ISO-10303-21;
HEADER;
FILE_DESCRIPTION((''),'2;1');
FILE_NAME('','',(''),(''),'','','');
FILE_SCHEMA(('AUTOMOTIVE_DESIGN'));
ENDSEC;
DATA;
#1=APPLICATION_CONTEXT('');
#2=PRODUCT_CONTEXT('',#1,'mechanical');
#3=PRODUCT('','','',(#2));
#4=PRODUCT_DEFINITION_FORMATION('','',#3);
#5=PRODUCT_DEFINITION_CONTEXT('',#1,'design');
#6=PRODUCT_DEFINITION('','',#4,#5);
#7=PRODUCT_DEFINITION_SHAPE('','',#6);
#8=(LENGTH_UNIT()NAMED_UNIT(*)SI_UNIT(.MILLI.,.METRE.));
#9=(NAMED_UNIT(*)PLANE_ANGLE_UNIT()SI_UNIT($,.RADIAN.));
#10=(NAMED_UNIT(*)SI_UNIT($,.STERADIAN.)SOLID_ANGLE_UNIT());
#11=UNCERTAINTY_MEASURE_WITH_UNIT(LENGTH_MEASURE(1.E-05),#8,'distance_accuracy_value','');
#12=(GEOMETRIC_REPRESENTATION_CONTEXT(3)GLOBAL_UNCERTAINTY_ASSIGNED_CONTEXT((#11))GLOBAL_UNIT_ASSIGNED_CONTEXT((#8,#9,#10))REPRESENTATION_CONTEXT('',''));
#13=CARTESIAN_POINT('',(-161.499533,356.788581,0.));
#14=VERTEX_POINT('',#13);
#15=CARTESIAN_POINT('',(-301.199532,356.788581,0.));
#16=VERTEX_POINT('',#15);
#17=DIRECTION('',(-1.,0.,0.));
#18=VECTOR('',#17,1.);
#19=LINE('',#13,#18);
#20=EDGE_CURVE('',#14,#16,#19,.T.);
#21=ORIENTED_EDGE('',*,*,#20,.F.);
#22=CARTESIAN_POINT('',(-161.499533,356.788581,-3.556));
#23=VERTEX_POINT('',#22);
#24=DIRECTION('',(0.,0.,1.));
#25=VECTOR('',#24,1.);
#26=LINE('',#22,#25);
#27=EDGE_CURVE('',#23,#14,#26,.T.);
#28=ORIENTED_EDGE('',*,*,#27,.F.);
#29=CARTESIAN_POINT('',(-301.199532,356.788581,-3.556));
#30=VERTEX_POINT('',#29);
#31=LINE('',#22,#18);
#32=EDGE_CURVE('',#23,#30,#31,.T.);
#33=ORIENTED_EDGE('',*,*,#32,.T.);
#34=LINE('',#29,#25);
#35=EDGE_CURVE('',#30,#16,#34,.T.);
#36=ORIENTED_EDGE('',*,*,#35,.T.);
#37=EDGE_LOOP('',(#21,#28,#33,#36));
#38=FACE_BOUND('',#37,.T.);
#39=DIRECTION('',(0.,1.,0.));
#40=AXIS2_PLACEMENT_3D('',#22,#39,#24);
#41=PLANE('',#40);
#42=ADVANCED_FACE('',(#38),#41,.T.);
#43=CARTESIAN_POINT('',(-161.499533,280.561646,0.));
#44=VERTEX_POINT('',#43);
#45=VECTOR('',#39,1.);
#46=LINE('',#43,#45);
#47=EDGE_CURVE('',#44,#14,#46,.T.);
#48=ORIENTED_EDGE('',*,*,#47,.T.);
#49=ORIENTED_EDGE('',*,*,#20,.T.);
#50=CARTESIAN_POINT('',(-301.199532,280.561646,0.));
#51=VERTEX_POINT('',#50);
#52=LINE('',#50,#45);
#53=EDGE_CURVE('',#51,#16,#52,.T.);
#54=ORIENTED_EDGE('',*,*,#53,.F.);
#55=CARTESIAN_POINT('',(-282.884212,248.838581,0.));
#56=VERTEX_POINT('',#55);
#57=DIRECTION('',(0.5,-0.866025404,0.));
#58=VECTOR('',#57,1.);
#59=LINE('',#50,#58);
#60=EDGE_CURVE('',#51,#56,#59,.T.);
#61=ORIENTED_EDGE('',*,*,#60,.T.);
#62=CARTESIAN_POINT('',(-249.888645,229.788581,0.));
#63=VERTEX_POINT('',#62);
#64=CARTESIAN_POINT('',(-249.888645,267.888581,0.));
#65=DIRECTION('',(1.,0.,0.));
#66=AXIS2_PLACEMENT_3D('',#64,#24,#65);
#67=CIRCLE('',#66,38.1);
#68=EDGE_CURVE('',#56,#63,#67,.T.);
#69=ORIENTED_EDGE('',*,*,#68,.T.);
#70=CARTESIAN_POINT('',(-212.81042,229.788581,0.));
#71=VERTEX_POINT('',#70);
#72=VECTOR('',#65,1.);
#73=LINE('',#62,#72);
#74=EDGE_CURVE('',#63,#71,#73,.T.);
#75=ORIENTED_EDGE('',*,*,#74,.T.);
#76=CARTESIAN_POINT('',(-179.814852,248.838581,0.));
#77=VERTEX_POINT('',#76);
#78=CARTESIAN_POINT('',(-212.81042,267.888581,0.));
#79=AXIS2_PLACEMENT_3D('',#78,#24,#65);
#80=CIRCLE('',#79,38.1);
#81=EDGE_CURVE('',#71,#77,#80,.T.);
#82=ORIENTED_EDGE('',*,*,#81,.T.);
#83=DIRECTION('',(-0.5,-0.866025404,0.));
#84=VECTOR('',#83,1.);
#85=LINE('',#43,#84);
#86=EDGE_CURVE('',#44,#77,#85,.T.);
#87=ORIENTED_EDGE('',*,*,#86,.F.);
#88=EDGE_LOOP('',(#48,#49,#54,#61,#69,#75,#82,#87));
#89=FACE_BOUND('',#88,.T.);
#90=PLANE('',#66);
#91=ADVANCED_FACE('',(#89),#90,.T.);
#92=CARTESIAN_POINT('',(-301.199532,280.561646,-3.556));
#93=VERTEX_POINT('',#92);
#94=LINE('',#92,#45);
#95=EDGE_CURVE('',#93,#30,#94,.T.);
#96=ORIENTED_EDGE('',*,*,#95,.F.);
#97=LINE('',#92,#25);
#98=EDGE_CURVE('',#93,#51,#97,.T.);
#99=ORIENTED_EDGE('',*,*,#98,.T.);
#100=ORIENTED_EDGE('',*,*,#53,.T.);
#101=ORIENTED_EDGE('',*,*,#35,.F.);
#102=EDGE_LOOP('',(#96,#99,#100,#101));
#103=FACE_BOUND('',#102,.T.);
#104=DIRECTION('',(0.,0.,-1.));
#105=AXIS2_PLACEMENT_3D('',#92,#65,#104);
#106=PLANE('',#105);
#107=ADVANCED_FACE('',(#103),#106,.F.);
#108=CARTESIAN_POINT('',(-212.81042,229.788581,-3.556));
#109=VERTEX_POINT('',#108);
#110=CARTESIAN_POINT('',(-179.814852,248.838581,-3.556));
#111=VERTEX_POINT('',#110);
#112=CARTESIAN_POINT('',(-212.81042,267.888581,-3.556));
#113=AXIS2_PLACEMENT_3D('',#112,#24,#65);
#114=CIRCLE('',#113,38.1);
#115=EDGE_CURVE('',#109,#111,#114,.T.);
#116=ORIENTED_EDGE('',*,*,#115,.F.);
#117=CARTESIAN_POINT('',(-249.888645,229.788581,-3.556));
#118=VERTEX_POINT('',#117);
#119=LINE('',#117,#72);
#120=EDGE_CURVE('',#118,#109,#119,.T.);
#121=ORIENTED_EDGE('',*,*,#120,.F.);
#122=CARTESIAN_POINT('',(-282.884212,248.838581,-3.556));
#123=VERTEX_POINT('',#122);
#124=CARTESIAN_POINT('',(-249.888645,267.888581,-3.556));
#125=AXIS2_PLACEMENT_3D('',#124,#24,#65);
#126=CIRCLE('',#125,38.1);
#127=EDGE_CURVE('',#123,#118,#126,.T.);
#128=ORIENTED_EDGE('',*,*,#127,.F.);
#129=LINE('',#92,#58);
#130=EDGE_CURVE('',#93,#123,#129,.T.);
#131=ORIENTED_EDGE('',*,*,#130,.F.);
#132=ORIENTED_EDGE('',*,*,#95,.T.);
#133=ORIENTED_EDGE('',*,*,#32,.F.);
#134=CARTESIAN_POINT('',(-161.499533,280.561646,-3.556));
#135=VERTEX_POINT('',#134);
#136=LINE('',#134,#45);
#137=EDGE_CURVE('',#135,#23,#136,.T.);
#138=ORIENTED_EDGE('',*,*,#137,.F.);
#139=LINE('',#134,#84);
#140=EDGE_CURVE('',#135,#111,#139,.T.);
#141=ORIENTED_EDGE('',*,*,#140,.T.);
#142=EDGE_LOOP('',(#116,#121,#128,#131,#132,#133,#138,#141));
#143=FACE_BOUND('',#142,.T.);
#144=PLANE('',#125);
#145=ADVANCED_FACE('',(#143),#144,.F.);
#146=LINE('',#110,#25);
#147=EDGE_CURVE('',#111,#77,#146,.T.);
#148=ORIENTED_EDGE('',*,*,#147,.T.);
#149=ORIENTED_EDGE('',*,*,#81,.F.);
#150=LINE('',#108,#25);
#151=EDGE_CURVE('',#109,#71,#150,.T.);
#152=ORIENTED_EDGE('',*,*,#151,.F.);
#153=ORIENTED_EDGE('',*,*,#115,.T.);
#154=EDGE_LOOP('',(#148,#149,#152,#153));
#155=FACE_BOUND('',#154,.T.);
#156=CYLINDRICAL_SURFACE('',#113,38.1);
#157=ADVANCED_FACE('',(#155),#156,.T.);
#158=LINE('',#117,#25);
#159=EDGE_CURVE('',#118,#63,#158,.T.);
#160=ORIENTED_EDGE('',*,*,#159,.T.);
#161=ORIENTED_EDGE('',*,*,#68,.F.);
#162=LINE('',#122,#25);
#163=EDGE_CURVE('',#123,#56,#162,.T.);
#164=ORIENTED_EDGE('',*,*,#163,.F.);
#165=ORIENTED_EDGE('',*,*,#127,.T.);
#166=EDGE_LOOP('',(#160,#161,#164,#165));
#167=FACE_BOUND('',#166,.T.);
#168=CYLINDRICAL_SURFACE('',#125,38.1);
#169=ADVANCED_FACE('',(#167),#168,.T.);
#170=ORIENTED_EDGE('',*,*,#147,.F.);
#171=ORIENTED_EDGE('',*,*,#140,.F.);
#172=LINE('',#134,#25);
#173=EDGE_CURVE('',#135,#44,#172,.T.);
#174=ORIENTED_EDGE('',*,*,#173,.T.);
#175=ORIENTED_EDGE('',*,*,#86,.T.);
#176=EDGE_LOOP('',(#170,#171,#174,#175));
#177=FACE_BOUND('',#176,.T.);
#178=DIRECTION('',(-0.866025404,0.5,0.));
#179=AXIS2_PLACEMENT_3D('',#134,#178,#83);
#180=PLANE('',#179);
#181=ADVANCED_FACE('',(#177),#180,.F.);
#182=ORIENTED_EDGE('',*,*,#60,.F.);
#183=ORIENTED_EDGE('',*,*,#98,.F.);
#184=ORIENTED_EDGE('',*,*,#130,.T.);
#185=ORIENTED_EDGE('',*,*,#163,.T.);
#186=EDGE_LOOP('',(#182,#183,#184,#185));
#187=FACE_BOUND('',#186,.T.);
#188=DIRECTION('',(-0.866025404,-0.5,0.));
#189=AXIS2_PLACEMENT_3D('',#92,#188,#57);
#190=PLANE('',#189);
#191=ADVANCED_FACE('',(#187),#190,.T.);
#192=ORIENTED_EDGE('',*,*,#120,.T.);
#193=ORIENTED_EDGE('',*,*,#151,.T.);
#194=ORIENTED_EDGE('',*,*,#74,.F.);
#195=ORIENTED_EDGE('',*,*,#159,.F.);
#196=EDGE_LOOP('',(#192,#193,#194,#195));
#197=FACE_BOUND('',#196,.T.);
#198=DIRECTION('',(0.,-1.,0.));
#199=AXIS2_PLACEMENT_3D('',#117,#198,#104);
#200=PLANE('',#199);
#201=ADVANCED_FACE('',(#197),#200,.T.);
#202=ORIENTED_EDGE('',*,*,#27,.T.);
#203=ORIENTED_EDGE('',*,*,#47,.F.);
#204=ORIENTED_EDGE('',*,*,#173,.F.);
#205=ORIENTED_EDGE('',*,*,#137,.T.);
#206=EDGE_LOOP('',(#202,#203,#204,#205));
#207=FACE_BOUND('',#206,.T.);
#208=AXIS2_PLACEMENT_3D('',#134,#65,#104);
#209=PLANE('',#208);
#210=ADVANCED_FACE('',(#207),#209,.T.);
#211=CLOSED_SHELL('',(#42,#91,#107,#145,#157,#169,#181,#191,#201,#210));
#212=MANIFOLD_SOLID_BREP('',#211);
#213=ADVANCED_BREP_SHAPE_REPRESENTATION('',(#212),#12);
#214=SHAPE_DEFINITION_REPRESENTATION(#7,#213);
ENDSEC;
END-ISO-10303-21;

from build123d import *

# Parameters (mm, degrees)
BOSS_EXTRUDE1_DEPTH = 3.556


with BuildPart() as part:
    # Sketch1 → Boss-Extrude1 (new body)
    with BuildSketch(Plane.XY):
        with BuildLine():
            Line((-161.499532604, 280.561645896), (-161.499532604, 356.788581407))
            Line((-161.499532604, 356.788581407), (-301.19953221, 356.788581407))
            Line((-301.19953221, 356.788581407), (-301.19953221, 280.561645896))
            Line((-301.19953221, 280.561645896), (-282.884212388, 248.838581407))
            ThreePointArc((-282.884212388, 248.838581407), (-268.938644504, 234.893013523), (-249.888644504, 229.788581407))
            Line((-249.888644504, 229.788581407), (-212.81042031, 229.788581407))
            ThreePointArc((-212.81042031, 229.788581407), (-193.76042031, 234.893013523), (-179.814852426, 248.838581407))
            Line((-179.814852426, 248.838581407), (-161.499532604, 280.561645896))
        make_face()
    extrude(amount=-BOSS_EXTRUDE1_DEPTH)


solid = part.part
